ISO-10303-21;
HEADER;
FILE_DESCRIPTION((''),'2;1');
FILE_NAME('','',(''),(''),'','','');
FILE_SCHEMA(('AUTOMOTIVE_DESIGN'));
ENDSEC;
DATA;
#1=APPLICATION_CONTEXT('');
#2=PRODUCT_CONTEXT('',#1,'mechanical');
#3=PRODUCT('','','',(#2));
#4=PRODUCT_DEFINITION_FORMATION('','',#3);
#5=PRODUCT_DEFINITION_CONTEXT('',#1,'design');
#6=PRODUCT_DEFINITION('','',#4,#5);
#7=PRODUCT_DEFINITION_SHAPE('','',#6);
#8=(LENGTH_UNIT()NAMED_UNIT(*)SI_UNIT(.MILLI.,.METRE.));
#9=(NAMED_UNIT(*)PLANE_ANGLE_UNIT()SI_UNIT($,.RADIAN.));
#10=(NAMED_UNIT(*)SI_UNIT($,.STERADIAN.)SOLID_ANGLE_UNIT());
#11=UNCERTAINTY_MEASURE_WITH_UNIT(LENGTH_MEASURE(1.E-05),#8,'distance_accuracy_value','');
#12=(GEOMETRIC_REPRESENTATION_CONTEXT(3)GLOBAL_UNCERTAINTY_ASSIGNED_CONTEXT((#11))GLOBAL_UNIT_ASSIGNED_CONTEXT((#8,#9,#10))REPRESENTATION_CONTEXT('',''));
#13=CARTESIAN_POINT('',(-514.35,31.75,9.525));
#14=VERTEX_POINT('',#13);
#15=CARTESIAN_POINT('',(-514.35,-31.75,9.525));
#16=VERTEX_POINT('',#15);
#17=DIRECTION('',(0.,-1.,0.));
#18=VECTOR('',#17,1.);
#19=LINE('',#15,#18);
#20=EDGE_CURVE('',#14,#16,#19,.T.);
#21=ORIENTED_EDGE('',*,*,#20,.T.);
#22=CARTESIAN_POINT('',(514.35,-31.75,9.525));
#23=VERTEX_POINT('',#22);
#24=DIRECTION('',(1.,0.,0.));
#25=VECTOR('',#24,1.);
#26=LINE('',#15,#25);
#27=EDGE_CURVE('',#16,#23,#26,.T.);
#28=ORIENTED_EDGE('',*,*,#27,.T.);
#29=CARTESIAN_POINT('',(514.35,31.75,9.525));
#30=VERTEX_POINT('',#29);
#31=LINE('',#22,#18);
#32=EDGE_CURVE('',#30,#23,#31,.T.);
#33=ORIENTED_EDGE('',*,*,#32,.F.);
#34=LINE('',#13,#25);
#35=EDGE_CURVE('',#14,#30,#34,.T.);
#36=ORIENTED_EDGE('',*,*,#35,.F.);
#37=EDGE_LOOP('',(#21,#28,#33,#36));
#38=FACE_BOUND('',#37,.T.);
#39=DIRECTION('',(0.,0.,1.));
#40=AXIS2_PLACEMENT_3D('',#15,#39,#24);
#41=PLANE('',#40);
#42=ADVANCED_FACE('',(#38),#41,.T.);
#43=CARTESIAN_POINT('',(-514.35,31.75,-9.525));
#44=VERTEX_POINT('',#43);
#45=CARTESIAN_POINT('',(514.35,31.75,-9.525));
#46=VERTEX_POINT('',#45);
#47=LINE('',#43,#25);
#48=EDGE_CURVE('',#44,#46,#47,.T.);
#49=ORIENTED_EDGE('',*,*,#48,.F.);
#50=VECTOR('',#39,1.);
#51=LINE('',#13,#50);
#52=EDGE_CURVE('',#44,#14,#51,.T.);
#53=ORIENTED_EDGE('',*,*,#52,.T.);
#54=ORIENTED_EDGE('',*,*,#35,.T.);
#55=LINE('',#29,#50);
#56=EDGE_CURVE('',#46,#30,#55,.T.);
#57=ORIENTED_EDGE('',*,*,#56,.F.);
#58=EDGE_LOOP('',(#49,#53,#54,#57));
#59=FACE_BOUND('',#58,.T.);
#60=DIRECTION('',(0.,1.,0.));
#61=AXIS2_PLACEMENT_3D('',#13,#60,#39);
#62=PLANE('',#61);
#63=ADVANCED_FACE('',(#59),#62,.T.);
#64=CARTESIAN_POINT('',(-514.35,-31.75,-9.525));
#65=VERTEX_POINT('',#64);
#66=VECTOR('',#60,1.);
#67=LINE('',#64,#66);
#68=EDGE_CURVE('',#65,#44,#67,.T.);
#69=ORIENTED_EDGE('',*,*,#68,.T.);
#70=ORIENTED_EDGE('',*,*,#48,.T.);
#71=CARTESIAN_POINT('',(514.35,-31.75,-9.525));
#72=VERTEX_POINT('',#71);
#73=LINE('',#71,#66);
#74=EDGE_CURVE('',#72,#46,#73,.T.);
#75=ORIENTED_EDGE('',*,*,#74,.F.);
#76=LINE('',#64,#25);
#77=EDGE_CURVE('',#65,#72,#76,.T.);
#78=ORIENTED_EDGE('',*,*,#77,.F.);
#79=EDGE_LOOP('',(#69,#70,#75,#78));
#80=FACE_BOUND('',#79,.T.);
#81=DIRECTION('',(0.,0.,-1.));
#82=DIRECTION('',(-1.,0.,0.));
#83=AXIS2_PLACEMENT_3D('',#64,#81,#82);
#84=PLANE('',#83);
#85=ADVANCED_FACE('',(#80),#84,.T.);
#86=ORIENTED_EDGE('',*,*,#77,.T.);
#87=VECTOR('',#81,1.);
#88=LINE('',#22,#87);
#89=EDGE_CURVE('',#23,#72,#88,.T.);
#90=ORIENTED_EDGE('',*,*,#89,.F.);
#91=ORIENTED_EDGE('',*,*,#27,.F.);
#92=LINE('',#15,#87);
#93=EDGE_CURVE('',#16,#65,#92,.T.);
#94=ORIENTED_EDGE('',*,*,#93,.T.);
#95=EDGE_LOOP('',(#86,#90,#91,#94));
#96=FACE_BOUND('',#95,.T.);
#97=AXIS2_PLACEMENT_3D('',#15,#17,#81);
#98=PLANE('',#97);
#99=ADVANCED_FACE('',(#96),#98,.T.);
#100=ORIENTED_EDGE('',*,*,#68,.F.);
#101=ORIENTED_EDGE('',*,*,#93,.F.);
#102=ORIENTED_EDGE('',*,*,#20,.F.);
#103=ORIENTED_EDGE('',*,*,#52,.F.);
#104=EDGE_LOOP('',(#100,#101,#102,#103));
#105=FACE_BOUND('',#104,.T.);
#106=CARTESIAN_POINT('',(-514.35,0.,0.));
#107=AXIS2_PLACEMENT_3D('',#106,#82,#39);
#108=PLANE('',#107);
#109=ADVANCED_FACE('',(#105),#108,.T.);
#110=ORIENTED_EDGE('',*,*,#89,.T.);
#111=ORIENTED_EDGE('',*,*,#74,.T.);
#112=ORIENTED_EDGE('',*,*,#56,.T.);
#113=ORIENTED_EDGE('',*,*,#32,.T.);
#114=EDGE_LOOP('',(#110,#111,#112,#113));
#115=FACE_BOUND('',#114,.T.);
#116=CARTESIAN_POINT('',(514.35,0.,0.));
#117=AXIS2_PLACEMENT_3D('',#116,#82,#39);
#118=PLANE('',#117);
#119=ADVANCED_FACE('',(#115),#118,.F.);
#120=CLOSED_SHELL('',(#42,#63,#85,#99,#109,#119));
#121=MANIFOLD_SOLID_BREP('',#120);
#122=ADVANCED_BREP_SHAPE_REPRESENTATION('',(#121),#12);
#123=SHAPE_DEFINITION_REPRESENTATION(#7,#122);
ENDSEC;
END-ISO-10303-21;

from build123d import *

# Parameters (mm, degrees)
BOSS_EXTRUDE1_DEPTH      = 514.35
BOSS_EXTRUDE1_DEPTH_BACK = 514.35
SKETCH1_W                = 19.05
SKETCH1_H                = 63.5


with BuildPart() as part:
    # Sketch1 → Boss-Extrude1 (new, two sides: drawn at the far end of the back side and taken through both)
    with BuildSketch(Plane(origin=(0, 0, 0), x_dir=(0, 0, -1), z_dir=(1, 0, 0)).offset(-BOSS_EXTRUDE1_DEPTH_BACK)):
        Rectangle(SKETCH1_W, SKETCH1_H)
    extrude(amount=BOSS_EXTRUDE1_DEPTH + BOSS_EXTRUDE1_DEPTH_BACK)


solid = part.part
